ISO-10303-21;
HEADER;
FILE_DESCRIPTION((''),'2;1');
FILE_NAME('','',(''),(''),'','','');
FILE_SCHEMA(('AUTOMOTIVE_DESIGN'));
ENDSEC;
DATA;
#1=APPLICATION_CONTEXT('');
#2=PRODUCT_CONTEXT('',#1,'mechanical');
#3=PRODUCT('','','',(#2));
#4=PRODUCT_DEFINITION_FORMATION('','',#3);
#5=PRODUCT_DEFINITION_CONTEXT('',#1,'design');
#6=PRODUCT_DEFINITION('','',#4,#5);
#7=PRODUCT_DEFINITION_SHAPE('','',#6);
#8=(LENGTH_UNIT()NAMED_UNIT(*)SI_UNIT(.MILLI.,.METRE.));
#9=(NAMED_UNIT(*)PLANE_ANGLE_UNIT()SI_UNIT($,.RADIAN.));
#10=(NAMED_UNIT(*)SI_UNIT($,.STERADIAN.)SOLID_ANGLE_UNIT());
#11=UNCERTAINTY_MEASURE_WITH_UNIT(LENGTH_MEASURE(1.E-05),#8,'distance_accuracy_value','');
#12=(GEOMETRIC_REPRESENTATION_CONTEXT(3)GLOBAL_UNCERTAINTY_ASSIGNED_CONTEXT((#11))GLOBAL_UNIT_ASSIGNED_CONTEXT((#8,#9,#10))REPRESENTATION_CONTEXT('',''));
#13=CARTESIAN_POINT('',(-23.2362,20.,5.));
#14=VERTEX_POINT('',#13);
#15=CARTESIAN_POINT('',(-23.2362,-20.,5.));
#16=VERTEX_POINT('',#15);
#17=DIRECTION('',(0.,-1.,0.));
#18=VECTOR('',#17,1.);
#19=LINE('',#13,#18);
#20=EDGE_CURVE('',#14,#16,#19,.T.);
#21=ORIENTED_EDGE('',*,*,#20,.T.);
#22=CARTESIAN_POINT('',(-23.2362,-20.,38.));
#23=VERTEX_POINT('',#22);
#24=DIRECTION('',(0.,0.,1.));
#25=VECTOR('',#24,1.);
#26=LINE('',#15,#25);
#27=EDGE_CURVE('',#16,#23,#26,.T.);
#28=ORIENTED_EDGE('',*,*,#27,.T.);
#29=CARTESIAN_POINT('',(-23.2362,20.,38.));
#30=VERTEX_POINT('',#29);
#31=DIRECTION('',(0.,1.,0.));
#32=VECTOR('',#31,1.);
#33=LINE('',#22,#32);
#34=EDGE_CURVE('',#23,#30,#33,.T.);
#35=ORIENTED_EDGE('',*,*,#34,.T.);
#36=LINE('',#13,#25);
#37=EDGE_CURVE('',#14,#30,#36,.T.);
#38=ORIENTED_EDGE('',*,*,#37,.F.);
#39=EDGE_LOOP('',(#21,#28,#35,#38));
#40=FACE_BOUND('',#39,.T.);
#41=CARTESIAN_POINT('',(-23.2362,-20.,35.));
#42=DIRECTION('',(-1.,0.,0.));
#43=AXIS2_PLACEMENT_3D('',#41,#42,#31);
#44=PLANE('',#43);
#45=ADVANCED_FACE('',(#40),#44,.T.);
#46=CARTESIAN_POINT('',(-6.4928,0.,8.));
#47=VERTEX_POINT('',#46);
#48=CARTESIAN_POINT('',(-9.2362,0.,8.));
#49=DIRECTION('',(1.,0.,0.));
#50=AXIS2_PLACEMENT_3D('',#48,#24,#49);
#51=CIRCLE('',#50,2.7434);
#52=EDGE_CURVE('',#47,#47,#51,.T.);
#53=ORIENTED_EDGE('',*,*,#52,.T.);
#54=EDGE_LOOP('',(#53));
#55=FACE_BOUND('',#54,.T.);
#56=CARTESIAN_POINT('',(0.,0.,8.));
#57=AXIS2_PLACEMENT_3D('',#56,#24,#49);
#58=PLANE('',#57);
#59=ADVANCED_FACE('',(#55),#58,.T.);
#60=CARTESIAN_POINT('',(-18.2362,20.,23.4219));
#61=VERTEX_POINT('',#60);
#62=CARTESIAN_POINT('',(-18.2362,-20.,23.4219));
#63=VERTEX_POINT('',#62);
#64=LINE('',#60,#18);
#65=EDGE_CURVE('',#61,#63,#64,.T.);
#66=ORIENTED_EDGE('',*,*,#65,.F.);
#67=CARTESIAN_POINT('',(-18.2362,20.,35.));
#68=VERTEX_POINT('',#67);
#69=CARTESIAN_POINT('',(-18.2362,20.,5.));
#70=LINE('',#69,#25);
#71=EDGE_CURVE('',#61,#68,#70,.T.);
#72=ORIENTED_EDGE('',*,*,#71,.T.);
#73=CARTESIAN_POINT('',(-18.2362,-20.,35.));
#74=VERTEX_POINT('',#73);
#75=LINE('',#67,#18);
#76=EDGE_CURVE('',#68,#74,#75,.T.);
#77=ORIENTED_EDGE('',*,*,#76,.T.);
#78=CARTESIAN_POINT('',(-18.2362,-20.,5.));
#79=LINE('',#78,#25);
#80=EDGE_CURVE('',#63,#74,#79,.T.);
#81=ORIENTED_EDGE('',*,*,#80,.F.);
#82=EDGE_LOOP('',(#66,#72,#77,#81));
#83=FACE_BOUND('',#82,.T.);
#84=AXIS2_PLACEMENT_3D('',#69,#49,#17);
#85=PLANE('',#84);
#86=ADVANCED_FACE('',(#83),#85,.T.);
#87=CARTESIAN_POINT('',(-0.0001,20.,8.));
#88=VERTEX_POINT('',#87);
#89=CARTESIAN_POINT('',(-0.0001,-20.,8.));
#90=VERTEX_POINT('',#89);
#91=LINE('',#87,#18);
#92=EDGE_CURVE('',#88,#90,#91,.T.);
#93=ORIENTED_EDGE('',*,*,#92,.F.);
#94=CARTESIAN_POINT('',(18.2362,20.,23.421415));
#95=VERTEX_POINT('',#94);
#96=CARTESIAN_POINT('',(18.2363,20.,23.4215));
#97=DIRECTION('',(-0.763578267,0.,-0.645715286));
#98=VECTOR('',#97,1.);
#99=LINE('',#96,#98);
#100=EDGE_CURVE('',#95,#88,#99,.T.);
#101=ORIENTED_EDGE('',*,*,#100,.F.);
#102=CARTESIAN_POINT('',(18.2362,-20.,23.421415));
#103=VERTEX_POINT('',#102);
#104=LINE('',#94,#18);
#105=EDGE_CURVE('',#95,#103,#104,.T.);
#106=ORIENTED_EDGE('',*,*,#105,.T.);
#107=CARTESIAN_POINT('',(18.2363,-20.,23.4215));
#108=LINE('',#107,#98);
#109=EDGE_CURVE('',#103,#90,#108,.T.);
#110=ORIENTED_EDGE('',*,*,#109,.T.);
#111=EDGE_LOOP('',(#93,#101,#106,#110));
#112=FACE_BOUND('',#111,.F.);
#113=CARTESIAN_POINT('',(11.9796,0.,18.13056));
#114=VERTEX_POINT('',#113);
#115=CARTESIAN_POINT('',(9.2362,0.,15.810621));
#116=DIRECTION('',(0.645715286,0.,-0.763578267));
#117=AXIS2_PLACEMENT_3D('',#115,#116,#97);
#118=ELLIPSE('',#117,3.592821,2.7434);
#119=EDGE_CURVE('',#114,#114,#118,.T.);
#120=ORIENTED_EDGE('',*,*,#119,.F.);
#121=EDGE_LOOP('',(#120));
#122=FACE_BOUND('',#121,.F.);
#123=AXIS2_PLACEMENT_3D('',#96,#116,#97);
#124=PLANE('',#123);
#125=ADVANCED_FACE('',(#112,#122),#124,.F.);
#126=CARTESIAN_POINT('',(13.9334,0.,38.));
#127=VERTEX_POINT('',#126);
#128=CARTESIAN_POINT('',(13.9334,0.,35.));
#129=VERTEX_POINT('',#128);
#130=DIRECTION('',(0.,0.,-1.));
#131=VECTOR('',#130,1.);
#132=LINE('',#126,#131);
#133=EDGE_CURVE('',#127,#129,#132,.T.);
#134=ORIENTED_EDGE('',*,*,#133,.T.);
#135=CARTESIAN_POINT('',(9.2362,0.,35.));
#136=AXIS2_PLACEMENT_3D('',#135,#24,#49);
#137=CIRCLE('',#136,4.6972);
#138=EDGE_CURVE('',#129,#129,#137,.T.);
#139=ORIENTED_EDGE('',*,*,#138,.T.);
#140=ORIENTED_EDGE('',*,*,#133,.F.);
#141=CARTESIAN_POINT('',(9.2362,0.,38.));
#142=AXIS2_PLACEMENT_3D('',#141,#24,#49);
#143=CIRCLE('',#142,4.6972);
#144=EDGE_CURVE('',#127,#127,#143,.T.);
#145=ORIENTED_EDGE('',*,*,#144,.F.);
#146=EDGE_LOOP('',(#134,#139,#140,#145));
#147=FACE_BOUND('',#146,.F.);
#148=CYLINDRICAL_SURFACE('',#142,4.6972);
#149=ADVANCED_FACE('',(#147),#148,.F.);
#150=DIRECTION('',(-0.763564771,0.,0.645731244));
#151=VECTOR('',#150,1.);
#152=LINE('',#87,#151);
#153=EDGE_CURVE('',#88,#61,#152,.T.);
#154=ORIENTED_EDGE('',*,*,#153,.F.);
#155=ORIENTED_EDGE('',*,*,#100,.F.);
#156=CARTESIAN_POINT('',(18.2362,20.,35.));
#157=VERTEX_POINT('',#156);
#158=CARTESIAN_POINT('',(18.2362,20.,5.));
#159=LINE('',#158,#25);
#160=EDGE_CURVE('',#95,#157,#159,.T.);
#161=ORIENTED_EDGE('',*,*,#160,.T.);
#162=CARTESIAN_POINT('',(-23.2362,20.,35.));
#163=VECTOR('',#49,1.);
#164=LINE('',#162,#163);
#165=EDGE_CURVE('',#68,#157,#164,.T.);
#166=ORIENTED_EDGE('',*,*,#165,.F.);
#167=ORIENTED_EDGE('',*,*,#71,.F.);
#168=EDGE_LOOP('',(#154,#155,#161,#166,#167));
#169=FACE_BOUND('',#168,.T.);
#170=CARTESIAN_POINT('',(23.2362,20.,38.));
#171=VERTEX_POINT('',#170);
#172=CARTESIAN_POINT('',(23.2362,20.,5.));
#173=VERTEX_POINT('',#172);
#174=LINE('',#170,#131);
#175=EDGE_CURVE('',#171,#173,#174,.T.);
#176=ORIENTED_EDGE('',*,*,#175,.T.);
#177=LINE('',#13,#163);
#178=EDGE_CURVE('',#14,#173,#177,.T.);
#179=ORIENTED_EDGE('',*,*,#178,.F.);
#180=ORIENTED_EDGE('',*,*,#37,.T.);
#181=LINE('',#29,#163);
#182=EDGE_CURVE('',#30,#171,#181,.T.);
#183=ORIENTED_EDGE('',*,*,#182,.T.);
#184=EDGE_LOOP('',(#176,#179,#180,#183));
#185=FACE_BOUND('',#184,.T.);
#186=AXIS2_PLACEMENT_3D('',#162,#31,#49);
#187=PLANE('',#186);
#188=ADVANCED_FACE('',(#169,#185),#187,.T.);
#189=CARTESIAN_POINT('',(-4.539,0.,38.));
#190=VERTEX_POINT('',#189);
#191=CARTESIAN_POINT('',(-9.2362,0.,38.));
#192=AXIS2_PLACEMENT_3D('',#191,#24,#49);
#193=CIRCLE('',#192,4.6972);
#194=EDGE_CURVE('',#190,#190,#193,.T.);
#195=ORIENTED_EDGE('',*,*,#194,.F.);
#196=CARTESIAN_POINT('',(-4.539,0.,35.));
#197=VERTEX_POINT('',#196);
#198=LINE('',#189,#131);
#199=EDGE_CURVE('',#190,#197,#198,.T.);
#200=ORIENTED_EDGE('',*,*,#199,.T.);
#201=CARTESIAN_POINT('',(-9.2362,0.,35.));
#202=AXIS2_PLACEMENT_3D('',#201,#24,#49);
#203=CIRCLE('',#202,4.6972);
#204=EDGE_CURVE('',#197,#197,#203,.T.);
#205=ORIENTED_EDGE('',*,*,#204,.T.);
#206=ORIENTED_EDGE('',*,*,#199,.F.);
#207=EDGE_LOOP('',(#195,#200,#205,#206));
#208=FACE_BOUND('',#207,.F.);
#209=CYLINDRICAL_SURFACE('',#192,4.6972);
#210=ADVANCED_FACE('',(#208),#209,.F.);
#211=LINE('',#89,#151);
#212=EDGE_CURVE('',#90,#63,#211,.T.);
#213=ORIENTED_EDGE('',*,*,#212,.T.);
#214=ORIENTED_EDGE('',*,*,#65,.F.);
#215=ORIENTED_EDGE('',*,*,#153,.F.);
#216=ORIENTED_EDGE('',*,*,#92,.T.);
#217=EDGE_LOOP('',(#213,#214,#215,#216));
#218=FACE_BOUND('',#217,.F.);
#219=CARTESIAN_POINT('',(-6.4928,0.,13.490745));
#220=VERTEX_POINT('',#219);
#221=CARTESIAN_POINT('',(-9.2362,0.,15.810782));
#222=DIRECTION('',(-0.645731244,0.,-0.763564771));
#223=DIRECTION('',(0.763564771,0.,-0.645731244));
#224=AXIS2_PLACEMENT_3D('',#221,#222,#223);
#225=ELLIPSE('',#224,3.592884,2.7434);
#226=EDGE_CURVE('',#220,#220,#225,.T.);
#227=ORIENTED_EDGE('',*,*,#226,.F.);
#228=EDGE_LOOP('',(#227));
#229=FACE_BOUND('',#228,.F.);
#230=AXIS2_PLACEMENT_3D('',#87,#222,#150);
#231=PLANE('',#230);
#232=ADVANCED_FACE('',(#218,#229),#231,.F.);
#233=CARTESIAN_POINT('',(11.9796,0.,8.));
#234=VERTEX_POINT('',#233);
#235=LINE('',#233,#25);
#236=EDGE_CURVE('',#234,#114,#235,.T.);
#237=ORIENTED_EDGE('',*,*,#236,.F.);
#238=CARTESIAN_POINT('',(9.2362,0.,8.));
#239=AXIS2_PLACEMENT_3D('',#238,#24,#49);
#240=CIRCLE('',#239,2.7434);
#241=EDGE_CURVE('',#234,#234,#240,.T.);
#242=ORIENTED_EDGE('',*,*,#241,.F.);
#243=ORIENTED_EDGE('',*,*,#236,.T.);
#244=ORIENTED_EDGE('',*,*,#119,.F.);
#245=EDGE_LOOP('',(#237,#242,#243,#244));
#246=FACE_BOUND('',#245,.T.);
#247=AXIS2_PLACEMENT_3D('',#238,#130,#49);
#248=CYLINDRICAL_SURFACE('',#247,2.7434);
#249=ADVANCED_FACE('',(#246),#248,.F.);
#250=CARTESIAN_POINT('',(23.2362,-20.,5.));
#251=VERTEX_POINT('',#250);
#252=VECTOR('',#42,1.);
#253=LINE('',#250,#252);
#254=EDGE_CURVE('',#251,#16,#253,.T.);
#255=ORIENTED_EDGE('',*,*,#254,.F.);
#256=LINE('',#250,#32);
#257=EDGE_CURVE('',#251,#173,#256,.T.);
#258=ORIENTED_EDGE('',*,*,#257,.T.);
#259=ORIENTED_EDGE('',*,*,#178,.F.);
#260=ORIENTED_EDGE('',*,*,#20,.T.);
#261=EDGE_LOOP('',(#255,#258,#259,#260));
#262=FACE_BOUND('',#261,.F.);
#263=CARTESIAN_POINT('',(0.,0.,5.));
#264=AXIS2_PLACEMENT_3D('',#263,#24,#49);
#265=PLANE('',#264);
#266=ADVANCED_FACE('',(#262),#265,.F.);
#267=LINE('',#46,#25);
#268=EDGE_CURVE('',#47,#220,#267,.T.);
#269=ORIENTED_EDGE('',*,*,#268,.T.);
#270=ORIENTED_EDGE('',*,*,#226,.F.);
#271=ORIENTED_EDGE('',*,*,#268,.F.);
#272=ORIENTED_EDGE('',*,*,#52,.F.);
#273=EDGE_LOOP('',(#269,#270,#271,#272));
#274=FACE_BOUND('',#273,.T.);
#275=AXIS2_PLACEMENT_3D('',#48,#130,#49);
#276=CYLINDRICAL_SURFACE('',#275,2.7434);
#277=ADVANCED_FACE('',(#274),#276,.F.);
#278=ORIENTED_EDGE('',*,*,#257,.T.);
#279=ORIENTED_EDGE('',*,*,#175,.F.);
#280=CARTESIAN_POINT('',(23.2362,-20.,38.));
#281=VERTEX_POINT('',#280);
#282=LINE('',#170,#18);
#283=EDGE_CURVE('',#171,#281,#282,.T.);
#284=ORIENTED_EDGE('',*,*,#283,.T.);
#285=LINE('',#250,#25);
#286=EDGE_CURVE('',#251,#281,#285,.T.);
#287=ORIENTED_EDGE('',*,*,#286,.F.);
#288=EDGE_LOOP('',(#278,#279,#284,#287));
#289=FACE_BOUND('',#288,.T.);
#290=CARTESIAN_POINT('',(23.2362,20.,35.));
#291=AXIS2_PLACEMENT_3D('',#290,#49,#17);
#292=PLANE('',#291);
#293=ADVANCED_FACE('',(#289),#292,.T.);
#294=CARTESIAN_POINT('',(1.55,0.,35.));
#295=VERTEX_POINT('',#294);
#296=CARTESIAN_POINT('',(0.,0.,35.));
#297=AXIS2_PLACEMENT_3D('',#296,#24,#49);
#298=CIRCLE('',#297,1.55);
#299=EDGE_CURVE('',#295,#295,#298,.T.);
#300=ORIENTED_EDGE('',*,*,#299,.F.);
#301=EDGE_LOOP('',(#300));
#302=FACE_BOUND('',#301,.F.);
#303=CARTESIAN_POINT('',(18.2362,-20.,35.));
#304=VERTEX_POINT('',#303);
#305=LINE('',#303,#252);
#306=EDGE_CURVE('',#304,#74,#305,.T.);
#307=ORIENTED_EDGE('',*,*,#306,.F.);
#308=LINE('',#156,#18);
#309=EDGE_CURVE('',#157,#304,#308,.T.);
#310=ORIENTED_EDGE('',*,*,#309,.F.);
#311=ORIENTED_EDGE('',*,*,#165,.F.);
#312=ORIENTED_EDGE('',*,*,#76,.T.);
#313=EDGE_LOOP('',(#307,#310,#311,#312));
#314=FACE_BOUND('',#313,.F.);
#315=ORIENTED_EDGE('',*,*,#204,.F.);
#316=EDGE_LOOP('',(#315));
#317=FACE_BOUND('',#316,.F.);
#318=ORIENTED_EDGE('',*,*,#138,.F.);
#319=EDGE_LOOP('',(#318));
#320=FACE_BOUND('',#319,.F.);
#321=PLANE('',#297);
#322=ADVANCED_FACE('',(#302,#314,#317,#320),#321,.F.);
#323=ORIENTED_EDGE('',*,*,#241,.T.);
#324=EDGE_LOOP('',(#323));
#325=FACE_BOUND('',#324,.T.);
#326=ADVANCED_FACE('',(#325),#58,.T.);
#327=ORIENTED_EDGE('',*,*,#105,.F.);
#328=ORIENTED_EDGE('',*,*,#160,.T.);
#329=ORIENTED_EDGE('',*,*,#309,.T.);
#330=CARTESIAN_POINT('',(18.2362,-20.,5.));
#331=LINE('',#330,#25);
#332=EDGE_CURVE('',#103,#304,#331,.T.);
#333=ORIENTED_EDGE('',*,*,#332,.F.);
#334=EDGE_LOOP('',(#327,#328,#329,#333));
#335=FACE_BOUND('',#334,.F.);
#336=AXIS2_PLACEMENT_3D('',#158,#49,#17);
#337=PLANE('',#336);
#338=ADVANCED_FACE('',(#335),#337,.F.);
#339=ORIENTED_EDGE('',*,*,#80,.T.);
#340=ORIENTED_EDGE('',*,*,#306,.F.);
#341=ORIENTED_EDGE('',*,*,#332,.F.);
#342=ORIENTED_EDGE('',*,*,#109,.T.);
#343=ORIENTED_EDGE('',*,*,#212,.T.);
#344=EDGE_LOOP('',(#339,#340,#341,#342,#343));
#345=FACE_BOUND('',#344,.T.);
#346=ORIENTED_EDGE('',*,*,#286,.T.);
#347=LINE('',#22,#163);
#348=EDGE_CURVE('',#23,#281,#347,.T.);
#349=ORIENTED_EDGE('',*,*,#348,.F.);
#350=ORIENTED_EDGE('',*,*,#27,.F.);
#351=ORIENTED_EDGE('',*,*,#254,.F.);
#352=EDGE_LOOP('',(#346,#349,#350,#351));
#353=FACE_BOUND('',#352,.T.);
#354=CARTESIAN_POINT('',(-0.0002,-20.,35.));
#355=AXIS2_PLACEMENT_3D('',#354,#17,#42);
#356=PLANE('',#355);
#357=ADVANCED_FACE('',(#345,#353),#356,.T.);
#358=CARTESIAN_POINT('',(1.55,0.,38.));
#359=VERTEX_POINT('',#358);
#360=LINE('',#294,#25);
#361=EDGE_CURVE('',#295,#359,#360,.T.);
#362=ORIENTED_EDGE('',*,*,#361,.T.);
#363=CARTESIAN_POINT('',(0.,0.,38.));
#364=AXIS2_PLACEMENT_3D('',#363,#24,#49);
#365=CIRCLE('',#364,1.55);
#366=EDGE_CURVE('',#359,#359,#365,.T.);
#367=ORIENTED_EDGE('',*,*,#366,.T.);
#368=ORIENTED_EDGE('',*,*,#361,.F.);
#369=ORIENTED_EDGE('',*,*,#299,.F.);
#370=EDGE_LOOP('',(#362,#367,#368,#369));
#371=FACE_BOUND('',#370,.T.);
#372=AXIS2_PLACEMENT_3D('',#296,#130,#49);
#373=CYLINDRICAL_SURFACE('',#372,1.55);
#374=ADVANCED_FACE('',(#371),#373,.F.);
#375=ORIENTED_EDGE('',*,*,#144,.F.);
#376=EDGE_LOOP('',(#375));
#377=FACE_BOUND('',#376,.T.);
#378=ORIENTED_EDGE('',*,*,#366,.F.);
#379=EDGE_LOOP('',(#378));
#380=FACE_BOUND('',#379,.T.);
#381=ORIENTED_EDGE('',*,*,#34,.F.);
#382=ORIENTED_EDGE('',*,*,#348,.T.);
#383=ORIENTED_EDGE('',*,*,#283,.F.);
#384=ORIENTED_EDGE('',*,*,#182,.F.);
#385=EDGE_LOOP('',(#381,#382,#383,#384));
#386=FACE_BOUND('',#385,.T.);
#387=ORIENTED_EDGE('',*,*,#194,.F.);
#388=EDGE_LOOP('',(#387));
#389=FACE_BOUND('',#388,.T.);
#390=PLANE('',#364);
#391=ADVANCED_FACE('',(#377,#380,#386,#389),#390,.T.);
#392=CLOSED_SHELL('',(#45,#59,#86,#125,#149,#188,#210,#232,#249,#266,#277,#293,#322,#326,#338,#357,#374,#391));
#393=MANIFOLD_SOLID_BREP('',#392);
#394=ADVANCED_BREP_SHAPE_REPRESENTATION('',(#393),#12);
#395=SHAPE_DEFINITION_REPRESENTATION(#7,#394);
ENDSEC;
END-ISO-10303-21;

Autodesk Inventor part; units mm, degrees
ref_plane "YZ Plane" through (0, 0, 0) normal (1, 0, 0) x (0, 1, 0)
ref_plane "XZ Plane" through (0, 0, 0) normal (0, 1, 0) x (-1, 0, 0)
ref_plane "XY Plane" through (0, 0, 0) normal (0, 0, 1) x (1, 0, 0)
ref_plane "РабПлоскость2" through (0, 0, 5) normal (0, 0, 1) x (1, 0, 0)
sketch "Эскиз1" plane through (0, 0, 5) normal (0, 0, 1) x (1, 0, 0)
  line L0 (-14.2362, -16) -> (14.1136, -16) projected
  arc A0 (14.1136, -15.5263) -> (14.1136, -16) centre (14.9819, -15.7632) ccw projected
  line L1 (-14.2362, 16) -> (-14.2362, -16) projected
  line L2 (-18.2362, 20) -> (18.2362, 20)
  line L3 (18.2362, 20) -> (18.2362, -20)
  line L4 (18.2362, -20) -> (-18.2362, -20)
  line L5 (-18.2362, -20) -> (-18.2362, 20)
  circle A1 centre (9.2362, 0) radius 1.6
  circle A2 centre (-9.2362, 0) radius 1.6
  circle A3 centre (0.7638, 0) radius 2.15 projected
  circle A4 centre (19.2362, 0) radius 2.15 projected
  line L6 (14.1136, -15.5263) -> (14.1136, -16) projected
  line L7 (14.1136, -16) -> (23.5645, -16) projected
  line L8 (23.5645, -16) -> (23.5645, 16) projected
  line L9 (23.5645, 16) -> (-14.2362, 16) projected
  circle A5 centre (9.2362, -11) radius 3.25 projected
  circle A6 centre (9.2362, 11) radius 3.25 projected
  circle A7 centre (-9.2362, -11) radius 3.25 projected
  circle A8 centre (-9.2362, 11) radius 3.25 projected
  point P0 (14.2362, 16)
  dimension "d0" = 4
  dimension "d2" = 4
extrude "Выдавливание1" add sketch "Эскиз1" along normal blind 3 contours A0 L6 | L1 L9 L3 A4 L7 L0 | L0 L7 L3 L4 L5 L2 L9 L1 | A4 L3 | A1 | A2 | A3 | A5 | A6 | A7 | A8 picked at (17.8581, 0.0863)
sketch "Эскиз3" plane through (-18.2362, 20, 5) normal (0, 1, 0) x (1, 0, 0)
  line L0 (0, -3) -> (36.4725, -3) projected
  line L1 (36.4725, -3) -> (36.4725, -18.4215)
  line L2 (36.4725, -18.4215) -> (18.2361, -3)
  line L3 (18.2361, -3) -> (0, -18.4219)
  line L4 (0, -18.4219) -> (0, -3)
  point P0 (18.2362, 5)
  point P1 (18.2361, -3)
  point P2 (18.2361, -3)
extrude "Выдавливание2" add sketch "Эскиз3" against normal up to surface (40 mm away)
ref_plane "РабПлоскость4" through (0, 0, 8) normal (0, 0, 1) x (1, 0, 0)
sketch "Эскиз4" plane through (0, 0, 8) normal (0, 0, 1) x (1, 0, 0)
  circle A0 centre (9.2362, 0) radius 1.6 projected
  circle A1 centre (-9.2362, 0) radius 1.6 projected
  circle A2 centre (9.2362, 0) radius 2.7434
  circle A3 centre (-9.2362, 0) radius 2.7434
  point P0 (0, 0)
extrude "Выдавливание3" cut sketch "Эскиз4" along normal blind 14.75 contours A0 | A1 | A2 | A3
sketch "Эскиз5" plane through (0, 0, 5) normal (0, 0, -1) x (-1, 0, 0)
  line L0 (18.2362, 20) -> (18.2362, -20) projected
  line L1 (18.2362, 20) -> (23.2362, 20)
  line L2 (23.2362, 20) -> (23.2362, -20)
  line L3 (23.2362, -20) -> (18.2362, -20)
  line L4 (18.2362, -20) -> (18.2362, 20)
  line L5 (0.0002, -20) -> (-18.2362, -20) projected
  line L6 (-18.2362, -20) -> (-23.2362, -20)
  line L7 (-23.2362, -20) -> (-23.2362, 20)
  line L8 (-23.2362, 20) -> (-18.2362, 20)
  line L9 (-18.2362, 20) -> (-18.2362, -20)
  point P0 (0, 0)
  dimension "d11" = 5
  dimension "d12" = 5
extrude "Выдавливание4" add sketch "Эскиз5" against normal blind 30
sketch "Эскиз6" plane through (0, 0, 35) normal (0, 0, 1) x (1, 0, 0)
  line L0 (-23.2362, 20) -> (23.2362, 20)
  line L1 (23.2362, 20) -> (23.2362, -20)
  line L2 (23.2362, -20) -> (-23.2362, -20)
  line L3 (-23.2362, -20) -> (-23.2362, 20)
  circle A0 centre (0, 0) radius 1.55
  line L4 (23.2362, -20) -> (23.2362, 20) projected
  line L5 (23.2362, 20) -> (18.2362, 20) projected
  line L6 (-23.2362, 20) -> (-23.2362, -20) projected
  line L7 (-0.0002, -20) -> (18.2362, -20) projected
  dimension "d15" = 3.1
extrude "Выдавливание5" add sketch "Эскиз6" along normal blind 3
sketch "Эскиз7" plane through (0, 0, 38) normal (0, 0, 1) x (1, 0, 0)
  circle A0 centre (-9.2362, 0) radius 2.7434 projected
  line L0 (-18.2362, -20) -> (-0.0002, -20) projected
  line L1 (-0.0002, 20) -> (-0.0002, -20) projected
  line L2 (-18.2362, 20) -> (-0.0002, 20) projected
  line L3 (-18.2362, 20) -> (-18.2362, -20) projected
  circle A1 centre (9.2362, 0) radius 2.7434 projected
  line L4 (-0.0002, -20) -> (18.2362, -20) projected
  line L5 (18.2362, 20) -> (18.2362, -20) projected
  line L6 (-0.0002, 20) -> (18.2362, 20) projected
  line L7 (-0.0002, 20) -> (-0.0002, -20) projected
  circle A2 centre (-9.2362, 0) radius 4.6972
  circle A3 centre (9.2362, 0) radius 4.6972
  point P0 (0, 0)
extrude "Выдавливание6" cut sketch "Эскиз7" against normal up to surface (3 mm away) contours A0 | A1 | A2 | A3
properties part number "верх крепления маркера"
